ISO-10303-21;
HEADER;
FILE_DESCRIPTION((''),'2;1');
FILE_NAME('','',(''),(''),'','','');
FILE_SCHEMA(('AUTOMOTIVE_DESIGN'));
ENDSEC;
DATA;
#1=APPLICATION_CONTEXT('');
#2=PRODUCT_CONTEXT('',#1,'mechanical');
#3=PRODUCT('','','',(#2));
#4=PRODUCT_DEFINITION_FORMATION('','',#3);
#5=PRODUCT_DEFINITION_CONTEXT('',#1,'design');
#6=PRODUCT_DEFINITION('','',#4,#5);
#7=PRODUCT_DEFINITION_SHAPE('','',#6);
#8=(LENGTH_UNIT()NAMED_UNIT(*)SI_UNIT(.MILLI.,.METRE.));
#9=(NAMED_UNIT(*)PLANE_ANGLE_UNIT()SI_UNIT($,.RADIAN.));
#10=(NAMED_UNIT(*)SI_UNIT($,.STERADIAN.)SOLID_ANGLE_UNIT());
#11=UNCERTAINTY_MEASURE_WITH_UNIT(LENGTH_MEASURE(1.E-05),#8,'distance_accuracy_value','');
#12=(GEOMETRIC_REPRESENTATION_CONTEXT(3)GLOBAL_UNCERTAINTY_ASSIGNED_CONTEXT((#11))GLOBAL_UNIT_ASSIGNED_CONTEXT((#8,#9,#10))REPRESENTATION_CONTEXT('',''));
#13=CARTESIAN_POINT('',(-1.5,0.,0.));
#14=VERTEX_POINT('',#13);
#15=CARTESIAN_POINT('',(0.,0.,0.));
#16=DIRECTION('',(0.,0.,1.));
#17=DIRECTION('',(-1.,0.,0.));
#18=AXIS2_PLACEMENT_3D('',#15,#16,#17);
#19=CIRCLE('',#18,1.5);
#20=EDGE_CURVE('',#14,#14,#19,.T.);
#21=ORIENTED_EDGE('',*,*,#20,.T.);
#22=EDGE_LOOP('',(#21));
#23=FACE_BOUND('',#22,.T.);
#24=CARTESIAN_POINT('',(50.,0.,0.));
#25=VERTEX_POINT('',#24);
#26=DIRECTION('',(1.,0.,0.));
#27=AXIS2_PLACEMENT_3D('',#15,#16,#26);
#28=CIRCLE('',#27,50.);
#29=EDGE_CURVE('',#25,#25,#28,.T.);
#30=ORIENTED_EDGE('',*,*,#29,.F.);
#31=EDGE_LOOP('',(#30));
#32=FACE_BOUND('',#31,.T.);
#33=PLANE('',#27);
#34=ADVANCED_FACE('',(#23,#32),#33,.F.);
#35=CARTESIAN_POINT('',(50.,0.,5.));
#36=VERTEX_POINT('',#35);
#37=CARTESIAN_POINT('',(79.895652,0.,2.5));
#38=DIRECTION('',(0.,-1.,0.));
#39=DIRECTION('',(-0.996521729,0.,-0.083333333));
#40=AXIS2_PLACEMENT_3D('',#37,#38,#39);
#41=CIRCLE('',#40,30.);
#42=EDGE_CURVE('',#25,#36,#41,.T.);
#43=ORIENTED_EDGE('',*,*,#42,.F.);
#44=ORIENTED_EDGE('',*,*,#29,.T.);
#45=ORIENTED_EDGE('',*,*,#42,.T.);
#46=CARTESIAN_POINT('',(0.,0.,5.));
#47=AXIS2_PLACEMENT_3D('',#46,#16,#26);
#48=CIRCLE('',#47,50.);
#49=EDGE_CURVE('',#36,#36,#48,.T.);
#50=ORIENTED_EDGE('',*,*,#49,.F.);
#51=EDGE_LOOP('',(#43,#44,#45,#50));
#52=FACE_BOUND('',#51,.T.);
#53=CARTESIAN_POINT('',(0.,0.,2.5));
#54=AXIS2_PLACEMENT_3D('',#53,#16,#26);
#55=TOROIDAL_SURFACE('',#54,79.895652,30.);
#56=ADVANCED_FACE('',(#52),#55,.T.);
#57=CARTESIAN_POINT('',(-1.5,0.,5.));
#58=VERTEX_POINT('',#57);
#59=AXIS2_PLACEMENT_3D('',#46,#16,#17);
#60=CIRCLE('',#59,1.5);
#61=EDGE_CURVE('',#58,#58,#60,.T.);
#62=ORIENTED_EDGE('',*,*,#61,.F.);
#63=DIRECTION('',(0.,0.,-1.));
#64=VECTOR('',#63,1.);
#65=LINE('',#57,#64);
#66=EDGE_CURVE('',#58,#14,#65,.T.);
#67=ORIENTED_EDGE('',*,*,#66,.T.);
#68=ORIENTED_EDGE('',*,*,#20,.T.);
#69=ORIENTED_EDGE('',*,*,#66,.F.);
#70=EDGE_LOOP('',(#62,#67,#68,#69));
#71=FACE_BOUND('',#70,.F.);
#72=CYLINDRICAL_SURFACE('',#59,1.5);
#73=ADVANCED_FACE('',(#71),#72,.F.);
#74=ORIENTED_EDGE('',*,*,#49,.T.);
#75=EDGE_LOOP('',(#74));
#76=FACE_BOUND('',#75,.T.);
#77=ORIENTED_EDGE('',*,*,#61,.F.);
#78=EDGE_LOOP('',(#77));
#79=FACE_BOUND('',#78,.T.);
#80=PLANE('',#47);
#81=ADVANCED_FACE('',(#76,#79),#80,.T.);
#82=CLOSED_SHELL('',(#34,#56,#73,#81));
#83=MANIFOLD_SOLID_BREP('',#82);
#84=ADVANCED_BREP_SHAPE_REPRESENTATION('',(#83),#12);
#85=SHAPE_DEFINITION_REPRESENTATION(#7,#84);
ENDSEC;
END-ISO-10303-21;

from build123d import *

# Parameters (mm, degrees)
SKETCH002_R = 1.5
HOLE_DEPTH  = 25
HOLE_TIPS_R = 1.5


with BuildPart() as part:
    # Sketch → Revolution (revolve)
    with BuildSketch(Plane.XZ):
        with BuildLine():
            Line((0, 0), (50, 0))
            ThreePointArc((50, 0), (109.895652, 2.5), (50, 5))
            Line((50, 5), (0, 5))
            Line((0, 5), (0, 0))
        make_face()
    revolve(axis=Axis((0, 0, 0), (0, 0, 1)))

    # Sketch002 (on Face3 of Revolution) → Hole (cut)
    with BuildSketch(Plane(origin=(0, 0, 5), x_dir=(-1, 0, 0), z_dir=(0, 0, 1))):
        Circle(SKETCH002_R)
    extrude(amount=-HOLE_DEPTH, mode=Mode.SUBTRACT)

    # Hole tips → Hole tip 1 section 0
    with BuildSketch(Plane(origin=(0, 0, -20), x_dir=(-1, 0, 0), z_dir=(0, 0, 1)), mode=Mode.PRIVATE) as hole_tip_1_s0:
        Circle(HOLE_TIPS_R)
    loft([hole_tip_1_s0.sketch, Vertex(0, 0, -20.901291)], mode=Mode.SUBTRACT)


solid = part.part
